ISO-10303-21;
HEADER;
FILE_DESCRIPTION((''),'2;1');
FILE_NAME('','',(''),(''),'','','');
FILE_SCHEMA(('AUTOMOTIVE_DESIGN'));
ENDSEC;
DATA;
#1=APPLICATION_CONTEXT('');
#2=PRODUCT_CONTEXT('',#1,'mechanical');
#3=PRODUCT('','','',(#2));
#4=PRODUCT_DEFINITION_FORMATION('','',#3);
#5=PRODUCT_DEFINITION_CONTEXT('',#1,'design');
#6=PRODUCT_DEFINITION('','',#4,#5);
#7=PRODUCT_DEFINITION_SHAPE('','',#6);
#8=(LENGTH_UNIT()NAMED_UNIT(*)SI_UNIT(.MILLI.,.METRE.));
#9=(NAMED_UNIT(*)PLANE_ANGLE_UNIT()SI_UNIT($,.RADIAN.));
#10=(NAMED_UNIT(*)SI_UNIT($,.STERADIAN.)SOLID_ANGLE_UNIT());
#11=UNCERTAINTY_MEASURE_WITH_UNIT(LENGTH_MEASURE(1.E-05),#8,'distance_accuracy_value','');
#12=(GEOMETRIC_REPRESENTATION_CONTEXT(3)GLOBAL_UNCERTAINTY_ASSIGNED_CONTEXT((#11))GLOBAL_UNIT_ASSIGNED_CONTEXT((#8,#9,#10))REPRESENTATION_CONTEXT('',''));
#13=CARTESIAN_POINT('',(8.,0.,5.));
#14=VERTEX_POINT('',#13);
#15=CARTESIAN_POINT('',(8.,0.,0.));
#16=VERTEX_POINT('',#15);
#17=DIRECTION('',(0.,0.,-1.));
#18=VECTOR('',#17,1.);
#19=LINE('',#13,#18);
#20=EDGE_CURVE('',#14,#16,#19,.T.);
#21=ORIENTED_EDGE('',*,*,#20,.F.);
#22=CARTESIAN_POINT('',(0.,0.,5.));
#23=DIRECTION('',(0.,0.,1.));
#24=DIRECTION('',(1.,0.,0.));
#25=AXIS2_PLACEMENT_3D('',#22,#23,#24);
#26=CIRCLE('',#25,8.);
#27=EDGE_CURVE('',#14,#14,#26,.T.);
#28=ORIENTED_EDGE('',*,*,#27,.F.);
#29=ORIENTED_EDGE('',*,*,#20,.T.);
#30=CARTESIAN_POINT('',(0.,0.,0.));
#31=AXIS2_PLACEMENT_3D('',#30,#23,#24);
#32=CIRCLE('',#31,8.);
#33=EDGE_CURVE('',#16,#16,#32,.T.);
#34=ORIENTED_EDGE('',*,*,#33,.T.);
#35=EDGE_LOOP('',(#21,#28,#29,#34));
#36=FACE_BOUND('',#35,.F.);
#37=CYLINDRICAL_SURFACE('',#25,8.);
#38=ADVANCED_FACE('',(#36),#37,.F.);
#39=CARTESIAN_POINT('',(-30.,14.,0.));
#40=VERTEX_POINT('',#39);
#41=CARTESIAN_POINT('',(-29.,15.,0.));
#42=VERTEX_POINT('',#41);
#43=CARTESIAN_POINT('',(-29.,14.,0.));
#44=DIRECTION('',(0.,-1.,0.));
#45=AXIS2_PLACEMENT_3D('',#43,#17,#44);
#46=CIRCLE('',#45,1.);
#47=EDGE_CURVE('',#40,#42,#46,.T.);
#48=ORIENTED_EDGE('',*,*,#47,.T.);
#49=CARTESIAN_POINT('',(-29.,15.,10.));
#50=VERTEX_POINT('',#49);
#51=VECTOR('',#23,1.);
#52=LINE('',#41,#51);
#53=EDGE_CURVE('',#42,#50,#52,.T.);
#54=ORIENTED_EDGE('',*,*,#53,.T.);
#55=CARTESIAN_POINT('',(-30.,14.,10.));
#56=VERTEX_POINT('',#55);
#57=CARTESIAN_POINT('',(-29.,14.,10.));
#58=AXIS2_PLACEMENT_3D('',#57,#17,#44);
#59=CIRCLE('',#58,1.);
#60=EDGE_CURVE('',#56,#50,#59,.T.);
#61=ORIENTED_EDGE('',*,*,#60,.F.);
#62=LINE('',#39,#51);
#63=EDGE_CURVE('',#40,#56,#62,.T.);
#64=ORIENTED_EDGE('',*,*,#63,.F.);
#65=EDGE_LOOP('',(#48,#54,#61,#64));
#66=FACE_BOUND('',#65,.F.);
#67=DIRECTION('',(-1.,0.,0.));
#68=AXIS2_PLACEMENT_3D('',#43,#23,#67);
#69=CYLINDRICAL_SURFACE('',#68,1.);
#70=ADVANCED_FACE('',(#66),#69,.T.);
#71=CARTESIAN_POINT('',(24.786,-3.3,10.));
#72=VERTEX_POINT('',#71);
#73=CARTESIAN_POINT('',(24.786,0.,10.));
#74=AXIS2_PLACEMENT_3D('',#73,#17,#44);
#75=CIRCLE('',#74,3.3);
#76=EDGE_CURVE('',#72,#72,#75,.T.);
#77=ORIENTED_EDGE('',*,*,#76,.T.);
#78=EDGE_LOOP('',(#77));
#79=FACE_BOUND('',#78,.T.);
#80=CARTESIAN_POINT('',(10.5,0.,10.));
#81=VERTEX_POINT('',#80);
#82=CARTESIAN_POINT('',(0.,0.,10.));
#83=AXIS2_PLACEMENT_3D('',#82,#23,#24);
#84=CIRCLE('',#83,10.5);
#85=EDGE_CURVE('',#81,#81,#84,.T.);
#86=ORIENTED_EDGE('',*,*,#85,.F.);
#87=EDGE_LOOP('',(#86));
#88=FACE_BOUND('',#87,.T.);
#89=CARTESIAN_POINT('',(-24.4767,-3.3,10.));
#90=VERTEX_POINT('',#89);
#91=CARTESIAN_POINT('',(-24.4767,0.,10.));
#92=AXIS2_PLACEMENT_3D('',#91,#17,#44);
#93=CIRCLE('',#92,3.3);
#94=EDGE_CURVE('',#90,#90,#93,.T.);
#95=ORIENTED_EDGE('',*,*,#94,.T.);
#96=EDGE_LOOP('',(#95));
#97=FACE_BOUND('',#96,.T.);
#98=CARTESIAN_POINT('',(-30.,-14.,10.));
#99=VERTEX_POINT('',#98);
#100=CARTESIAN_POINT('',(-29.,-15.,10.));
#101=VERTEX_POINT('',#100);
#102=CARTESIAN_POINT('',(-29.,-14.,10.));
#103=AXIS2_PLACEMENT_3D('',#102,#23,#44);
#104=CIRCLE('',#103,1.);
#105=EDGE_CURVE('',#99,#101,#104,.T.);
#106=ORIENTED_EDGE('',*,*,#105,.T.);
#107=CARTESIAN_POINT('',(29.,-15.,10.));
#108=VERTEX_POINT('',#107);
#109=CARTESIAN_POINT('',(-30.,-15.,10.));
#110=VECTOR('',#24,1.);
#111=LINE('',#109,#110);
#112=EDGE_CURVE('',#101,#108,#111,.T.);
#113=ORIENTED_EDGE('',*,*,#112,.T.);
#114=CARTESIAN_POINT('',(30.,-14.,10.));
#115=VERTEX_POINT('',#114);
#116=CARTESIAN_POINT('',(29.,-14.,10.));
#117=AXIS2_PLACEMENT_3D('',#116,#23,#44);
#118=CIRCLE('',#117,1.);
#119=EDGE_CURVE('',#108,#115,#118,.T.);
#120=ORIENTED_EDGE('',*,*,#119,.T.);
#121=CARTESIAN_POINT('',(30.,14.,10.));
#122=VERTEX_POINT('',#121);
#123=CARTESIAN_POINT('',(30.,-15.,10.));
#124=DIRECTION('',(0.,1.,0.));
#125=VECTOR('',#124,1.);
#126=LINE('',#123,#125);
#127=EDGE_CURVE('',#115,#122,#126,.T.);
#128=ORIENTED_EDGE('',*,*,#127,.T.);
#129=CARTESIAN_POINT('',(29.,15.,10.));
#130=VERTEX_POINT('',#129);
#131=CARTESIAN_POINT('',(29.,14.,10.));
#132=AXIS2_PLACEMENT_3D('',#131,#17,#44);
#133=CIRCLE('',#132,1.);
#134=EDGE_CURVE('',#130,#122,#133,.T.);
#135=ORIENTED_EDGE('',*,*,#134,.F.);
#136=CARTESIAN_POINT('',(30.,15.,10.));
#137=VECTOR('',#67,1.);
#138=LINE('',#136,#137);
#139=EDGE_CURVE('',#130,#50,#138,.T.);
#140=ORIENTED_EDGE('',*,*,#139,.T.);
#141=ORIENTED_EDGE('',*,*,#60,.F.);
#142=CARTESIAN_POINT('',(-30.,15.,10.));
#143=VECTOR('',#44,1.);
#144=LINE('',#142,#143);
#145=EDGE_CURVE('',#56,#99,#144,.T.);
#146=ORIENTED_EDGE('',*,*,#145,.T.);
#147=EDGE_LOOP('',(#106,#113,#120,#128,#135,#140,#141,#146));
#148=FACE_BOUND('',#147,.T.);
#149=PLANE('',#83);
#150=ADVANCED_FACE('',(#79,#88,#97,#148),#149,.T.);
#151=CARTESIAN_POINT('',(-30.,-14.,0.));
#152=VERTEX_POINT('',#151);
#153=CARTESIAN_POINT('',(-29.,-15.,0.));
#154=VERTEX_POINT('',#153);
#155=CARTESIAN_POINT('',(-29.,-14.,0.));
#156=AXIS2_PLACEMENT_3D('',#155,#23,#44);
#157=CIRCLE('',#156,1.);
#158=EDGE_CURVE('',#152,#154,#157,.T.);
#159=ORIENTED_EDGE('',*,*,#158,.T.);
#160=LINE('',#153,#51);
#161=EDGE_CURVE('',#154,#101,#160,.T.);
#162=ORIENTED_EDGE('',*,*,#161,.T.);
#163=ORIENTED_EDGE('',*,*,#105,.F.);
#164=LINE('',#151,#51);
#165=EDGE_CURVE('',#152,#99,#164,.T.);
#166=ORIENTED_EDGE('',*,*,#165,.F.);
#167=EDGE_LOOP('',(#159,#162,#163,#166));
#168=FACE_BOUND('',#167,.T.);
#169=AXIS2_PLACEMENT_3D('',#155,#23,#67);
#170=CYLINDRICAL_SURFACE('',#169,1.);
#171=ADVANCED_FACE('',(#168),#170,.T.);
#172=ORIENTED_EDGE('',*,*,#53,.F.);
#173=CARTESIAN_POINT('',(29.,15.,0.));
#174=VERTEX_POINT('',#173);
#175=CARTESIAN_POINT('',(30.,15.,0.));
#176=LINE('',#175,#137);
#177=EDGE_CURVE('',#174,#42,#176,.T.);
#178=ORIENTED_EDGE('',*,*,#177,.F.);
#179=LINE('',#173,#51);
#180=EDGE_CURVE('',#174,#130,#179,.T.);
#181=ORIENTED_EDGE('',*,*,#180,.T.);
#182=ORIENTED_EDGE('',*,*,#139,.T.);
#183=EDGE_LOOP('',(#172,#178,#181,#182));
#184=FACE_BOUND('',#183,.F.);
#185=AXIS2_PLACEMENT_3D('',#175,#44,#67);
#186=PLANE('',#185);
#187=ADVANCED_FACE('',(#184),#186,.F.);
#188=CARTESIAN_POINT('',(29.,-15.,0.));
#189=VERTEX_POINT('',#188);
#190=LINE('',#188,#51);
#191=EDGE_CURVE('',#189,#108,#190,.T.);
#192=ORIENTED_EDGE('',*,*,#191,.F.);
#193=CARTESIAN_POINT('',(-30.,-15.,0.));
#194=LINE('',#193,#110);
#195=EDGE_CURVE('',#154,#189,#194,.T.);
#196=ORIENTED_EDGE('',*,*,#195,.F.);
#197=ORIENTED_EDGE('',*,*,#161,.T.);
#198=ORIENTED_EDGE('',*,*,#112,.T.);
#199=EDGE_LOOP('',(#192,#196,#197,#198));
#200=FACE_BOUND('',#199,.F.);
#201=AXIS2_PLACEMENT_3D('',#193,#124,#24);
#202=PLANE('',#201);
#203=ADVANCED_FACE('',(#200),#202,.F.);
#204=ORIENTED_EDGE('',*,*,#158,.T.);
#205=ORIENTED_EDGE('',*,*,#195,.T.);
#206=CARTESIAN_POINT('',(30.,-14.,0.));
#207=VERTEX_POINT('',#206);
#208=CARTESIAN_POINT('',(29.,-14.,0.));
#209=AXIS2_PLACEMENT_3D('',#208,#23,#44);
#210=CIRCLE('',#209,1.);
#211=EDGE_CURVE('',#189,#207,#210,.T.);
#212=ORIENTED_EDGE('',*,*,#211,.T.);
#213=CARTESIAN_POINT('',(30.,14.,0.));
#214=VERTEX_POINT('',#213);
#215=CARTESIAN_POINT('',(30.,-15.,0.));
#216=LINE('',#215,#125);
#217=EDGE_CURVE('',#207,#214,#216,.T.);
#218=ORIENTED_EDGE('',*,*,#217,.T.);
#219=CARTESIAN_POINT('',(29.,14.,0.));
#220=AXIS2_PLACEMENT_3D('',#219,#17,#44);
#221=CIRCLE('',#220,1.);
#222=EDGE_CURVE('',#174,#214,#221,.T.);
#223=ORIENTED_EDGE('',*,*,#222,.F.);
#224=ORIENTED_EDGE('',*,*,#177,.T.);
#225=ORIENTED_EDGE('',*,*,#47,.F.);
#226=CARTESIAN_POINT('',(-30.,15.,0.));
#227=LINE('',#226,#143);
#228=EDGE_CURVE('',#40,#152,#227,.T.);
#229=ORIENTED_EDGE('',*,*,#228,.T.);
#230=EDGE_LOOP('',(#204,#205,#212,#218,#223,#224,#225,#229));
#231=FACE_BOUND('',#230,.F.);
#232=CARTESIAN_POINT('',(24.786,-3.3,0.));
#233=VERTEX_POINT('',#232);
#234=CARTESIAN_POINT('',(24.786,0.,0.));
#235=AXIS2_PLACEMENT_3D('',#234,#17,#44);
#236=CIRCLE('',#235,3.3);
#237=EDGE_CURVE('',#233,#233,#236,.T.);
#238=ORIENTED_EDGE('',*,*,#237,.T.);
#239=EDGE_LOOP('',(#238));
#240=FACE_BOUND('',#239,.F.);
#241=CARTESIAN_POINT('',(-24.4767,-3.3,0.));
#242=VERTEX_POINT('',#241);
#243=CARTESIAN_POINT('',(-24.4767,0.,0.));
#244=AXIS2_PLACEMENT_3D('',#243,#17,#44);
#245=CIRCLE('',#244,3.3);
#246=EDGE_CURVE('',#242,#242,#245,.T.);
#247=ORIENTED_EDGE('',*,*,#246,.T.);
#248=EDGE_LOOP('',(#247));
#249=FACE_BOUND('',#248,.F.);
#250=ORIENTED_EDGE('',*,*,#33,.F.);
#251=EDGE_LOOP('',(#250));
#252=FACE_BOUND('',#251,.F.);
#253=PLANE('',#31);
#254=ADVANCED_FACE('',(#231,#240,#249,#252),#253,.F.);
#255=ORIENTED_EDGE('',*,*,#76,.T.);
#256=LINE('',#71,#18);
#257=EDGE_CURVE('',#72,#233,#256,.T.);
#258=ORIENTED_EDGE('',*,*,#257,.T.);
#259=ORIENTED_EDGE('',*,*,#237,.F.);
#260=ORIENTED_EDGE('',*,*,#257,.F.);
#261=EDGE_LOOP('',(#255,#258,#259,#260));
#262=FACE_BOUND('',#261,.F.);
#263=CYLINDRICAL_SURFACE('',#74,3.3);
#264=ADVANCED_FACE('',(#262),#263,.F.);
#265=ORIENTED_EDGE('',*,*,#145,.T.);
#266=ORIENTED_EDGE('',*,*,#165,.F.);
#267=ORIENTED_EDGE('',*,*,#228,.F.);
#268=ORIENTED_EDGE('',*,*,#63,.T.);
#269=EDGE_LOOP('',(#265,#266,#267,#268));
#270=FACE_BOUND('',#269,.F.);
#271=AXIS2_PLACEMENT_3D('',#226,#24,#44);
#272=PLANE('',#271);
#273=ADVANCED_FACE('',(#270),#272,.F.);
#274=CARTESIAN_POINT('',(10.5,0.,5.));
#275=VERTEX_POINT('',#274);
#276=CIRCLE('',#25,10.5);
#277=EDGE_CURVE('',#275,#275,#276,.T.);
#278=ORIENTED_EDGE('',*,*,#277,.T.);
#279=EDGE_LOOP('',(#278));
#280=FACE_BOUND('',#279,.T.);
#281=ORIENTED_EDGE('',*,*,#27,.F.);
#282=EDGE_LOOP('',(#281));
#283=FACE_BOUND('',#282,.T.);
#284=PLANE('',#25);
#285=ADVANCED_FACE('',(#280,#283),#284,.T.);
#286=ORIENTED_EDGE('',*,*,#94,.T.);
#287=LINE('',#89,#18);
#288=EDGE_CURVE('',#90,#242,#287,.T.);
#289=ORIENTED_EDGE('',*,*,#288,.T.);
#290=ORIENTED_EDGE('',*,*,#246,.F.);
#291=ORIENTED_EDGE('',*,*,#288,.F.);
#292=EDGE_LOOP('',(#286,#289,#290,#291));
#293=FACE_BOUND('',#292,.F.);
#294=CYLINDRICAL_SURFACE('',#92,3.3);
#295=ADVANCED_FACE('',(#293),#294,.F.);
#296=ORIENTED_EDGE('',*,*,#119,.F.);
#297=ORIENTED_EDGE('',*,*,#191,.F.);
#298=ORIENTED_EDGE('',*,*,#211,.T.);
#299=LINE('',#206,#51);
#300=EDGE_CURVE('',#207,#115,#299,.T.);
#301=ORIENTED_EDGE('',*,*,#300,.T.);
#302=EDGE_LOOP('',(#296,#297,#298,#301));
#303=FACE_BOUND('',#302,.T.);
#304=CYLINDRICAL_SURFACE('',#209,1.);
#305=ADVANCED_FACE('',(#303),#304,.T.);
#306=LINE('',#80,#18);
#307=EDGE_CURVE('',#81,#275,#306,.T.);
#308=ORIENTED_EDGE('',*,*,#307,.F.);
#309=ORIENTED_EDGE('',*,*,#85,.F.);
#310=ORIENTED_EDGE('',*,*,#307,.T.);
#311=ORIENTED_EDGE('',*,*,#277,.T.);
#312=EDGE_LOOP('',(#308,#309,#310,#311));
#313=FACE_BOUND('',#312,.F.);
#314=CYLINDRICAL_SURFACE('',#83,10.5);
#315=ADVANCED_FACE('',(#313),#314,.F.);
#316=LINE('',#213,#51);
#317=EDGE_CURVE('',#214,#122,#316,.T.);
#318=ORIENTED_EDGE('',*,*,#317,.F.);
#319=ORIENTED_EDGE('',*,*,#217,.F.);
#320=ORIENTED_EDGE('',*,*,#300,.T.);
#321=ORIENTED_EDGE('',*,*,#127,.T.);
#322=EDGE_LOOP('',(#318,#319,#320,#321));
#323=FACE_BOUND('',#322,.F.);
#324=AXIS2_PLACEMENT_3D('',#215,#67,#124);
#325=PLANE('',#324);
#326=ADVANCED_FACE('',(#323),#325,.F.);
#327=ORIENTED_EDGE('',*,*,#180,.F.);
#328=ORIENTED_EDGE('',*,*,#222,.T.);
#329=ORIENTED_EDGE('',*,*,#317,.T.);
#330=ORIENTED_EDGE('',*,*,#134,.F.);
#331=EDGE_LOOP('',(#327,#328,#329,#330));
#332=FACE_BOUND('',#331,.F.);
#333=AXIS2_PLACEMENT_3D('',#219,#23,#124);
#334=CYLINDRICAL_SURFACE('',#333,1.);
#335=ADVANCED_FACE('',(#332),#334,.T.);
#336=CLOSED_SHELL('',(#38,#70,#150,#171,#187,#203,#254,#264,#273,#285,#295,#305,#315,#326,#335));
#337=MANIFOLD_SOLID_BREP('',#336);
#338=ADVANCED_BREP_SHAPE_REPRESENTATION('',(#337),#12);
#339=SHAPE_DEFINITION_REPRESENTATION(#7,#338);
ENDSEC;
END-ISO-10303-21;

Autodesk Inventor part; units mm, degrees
ref_plane "YZ Plane" through (0, 0, 0) normal (1, 0, 0) x (0, 1, 0)
ref_plane "XZ Plane" through (0, 0, 0) normal (0, 1, 0) x (-1, 0, 0)
ref_plane "XY Plane" through (0, 0, 0) normal (0, 0, 1) x (1, 0, 0)
sketch "Sketch1" plane through (0, 0, 0) normal (0, 0, 1) x (1, 0, 0)
  line L0 (-30, -15) -> (30, -15)
  line L1 (30, -15) -> (30, 15)
  line L2 (30, 15) -> (-30, 15)
  line L3 (-30, 15) -> (-30, -15)
  line L4 (-30, -15) -> (30, 15) construction
  line L5 (30, -15) -> (-30, 15) construction
  point P0 (0, 0)
  dimension "d0" = 60
  dimension "d1" = 30
extrude "Extrusion1" add sketch "Sketch1" along normal blind 10
sketch "Sketch2" plane through (0, 0, 10) normal (0, 0, 1) x (1, 0, 0)
  circle A0 centre (0, 0) radius 10.5
  dimension "d4" = 21
extrude "Extrusion2" cut sketch "Sketch2" against normal blind 5
sketch "Sketch3" plane through (0, 0, 5) normal (0, 0, 1) x (1, 0, 0)
  circle A0 centre (0, 0) radius 8
  dimension "d7" = 16
extrude "Extrusion3" cut sketch "Sketch3" against normal blind 5
sketch "Sketch4" plane through (0, 0, 10) normal (0, 0, 1) x (1, 0, 0)
  point P0 (0, 0)
  point P1 (-24.4767, 0)
  point P2 (24.786, 0)
hole "Hole1" at (-24.4767, 0, 10) at (24.786, 0, 10) direction (0, 0, -1) diameter 6.6 end through all clearance for "Hex Head Cap Screw ISO 24017" size "M6" standard "ISO"
fillet "Fillet1" radius 1 4 edges at (30, 15, 5) (30, -15, 5) (-30, 15, 5) (-30, -15, 5)
properties part number "CoinCellHolder"
